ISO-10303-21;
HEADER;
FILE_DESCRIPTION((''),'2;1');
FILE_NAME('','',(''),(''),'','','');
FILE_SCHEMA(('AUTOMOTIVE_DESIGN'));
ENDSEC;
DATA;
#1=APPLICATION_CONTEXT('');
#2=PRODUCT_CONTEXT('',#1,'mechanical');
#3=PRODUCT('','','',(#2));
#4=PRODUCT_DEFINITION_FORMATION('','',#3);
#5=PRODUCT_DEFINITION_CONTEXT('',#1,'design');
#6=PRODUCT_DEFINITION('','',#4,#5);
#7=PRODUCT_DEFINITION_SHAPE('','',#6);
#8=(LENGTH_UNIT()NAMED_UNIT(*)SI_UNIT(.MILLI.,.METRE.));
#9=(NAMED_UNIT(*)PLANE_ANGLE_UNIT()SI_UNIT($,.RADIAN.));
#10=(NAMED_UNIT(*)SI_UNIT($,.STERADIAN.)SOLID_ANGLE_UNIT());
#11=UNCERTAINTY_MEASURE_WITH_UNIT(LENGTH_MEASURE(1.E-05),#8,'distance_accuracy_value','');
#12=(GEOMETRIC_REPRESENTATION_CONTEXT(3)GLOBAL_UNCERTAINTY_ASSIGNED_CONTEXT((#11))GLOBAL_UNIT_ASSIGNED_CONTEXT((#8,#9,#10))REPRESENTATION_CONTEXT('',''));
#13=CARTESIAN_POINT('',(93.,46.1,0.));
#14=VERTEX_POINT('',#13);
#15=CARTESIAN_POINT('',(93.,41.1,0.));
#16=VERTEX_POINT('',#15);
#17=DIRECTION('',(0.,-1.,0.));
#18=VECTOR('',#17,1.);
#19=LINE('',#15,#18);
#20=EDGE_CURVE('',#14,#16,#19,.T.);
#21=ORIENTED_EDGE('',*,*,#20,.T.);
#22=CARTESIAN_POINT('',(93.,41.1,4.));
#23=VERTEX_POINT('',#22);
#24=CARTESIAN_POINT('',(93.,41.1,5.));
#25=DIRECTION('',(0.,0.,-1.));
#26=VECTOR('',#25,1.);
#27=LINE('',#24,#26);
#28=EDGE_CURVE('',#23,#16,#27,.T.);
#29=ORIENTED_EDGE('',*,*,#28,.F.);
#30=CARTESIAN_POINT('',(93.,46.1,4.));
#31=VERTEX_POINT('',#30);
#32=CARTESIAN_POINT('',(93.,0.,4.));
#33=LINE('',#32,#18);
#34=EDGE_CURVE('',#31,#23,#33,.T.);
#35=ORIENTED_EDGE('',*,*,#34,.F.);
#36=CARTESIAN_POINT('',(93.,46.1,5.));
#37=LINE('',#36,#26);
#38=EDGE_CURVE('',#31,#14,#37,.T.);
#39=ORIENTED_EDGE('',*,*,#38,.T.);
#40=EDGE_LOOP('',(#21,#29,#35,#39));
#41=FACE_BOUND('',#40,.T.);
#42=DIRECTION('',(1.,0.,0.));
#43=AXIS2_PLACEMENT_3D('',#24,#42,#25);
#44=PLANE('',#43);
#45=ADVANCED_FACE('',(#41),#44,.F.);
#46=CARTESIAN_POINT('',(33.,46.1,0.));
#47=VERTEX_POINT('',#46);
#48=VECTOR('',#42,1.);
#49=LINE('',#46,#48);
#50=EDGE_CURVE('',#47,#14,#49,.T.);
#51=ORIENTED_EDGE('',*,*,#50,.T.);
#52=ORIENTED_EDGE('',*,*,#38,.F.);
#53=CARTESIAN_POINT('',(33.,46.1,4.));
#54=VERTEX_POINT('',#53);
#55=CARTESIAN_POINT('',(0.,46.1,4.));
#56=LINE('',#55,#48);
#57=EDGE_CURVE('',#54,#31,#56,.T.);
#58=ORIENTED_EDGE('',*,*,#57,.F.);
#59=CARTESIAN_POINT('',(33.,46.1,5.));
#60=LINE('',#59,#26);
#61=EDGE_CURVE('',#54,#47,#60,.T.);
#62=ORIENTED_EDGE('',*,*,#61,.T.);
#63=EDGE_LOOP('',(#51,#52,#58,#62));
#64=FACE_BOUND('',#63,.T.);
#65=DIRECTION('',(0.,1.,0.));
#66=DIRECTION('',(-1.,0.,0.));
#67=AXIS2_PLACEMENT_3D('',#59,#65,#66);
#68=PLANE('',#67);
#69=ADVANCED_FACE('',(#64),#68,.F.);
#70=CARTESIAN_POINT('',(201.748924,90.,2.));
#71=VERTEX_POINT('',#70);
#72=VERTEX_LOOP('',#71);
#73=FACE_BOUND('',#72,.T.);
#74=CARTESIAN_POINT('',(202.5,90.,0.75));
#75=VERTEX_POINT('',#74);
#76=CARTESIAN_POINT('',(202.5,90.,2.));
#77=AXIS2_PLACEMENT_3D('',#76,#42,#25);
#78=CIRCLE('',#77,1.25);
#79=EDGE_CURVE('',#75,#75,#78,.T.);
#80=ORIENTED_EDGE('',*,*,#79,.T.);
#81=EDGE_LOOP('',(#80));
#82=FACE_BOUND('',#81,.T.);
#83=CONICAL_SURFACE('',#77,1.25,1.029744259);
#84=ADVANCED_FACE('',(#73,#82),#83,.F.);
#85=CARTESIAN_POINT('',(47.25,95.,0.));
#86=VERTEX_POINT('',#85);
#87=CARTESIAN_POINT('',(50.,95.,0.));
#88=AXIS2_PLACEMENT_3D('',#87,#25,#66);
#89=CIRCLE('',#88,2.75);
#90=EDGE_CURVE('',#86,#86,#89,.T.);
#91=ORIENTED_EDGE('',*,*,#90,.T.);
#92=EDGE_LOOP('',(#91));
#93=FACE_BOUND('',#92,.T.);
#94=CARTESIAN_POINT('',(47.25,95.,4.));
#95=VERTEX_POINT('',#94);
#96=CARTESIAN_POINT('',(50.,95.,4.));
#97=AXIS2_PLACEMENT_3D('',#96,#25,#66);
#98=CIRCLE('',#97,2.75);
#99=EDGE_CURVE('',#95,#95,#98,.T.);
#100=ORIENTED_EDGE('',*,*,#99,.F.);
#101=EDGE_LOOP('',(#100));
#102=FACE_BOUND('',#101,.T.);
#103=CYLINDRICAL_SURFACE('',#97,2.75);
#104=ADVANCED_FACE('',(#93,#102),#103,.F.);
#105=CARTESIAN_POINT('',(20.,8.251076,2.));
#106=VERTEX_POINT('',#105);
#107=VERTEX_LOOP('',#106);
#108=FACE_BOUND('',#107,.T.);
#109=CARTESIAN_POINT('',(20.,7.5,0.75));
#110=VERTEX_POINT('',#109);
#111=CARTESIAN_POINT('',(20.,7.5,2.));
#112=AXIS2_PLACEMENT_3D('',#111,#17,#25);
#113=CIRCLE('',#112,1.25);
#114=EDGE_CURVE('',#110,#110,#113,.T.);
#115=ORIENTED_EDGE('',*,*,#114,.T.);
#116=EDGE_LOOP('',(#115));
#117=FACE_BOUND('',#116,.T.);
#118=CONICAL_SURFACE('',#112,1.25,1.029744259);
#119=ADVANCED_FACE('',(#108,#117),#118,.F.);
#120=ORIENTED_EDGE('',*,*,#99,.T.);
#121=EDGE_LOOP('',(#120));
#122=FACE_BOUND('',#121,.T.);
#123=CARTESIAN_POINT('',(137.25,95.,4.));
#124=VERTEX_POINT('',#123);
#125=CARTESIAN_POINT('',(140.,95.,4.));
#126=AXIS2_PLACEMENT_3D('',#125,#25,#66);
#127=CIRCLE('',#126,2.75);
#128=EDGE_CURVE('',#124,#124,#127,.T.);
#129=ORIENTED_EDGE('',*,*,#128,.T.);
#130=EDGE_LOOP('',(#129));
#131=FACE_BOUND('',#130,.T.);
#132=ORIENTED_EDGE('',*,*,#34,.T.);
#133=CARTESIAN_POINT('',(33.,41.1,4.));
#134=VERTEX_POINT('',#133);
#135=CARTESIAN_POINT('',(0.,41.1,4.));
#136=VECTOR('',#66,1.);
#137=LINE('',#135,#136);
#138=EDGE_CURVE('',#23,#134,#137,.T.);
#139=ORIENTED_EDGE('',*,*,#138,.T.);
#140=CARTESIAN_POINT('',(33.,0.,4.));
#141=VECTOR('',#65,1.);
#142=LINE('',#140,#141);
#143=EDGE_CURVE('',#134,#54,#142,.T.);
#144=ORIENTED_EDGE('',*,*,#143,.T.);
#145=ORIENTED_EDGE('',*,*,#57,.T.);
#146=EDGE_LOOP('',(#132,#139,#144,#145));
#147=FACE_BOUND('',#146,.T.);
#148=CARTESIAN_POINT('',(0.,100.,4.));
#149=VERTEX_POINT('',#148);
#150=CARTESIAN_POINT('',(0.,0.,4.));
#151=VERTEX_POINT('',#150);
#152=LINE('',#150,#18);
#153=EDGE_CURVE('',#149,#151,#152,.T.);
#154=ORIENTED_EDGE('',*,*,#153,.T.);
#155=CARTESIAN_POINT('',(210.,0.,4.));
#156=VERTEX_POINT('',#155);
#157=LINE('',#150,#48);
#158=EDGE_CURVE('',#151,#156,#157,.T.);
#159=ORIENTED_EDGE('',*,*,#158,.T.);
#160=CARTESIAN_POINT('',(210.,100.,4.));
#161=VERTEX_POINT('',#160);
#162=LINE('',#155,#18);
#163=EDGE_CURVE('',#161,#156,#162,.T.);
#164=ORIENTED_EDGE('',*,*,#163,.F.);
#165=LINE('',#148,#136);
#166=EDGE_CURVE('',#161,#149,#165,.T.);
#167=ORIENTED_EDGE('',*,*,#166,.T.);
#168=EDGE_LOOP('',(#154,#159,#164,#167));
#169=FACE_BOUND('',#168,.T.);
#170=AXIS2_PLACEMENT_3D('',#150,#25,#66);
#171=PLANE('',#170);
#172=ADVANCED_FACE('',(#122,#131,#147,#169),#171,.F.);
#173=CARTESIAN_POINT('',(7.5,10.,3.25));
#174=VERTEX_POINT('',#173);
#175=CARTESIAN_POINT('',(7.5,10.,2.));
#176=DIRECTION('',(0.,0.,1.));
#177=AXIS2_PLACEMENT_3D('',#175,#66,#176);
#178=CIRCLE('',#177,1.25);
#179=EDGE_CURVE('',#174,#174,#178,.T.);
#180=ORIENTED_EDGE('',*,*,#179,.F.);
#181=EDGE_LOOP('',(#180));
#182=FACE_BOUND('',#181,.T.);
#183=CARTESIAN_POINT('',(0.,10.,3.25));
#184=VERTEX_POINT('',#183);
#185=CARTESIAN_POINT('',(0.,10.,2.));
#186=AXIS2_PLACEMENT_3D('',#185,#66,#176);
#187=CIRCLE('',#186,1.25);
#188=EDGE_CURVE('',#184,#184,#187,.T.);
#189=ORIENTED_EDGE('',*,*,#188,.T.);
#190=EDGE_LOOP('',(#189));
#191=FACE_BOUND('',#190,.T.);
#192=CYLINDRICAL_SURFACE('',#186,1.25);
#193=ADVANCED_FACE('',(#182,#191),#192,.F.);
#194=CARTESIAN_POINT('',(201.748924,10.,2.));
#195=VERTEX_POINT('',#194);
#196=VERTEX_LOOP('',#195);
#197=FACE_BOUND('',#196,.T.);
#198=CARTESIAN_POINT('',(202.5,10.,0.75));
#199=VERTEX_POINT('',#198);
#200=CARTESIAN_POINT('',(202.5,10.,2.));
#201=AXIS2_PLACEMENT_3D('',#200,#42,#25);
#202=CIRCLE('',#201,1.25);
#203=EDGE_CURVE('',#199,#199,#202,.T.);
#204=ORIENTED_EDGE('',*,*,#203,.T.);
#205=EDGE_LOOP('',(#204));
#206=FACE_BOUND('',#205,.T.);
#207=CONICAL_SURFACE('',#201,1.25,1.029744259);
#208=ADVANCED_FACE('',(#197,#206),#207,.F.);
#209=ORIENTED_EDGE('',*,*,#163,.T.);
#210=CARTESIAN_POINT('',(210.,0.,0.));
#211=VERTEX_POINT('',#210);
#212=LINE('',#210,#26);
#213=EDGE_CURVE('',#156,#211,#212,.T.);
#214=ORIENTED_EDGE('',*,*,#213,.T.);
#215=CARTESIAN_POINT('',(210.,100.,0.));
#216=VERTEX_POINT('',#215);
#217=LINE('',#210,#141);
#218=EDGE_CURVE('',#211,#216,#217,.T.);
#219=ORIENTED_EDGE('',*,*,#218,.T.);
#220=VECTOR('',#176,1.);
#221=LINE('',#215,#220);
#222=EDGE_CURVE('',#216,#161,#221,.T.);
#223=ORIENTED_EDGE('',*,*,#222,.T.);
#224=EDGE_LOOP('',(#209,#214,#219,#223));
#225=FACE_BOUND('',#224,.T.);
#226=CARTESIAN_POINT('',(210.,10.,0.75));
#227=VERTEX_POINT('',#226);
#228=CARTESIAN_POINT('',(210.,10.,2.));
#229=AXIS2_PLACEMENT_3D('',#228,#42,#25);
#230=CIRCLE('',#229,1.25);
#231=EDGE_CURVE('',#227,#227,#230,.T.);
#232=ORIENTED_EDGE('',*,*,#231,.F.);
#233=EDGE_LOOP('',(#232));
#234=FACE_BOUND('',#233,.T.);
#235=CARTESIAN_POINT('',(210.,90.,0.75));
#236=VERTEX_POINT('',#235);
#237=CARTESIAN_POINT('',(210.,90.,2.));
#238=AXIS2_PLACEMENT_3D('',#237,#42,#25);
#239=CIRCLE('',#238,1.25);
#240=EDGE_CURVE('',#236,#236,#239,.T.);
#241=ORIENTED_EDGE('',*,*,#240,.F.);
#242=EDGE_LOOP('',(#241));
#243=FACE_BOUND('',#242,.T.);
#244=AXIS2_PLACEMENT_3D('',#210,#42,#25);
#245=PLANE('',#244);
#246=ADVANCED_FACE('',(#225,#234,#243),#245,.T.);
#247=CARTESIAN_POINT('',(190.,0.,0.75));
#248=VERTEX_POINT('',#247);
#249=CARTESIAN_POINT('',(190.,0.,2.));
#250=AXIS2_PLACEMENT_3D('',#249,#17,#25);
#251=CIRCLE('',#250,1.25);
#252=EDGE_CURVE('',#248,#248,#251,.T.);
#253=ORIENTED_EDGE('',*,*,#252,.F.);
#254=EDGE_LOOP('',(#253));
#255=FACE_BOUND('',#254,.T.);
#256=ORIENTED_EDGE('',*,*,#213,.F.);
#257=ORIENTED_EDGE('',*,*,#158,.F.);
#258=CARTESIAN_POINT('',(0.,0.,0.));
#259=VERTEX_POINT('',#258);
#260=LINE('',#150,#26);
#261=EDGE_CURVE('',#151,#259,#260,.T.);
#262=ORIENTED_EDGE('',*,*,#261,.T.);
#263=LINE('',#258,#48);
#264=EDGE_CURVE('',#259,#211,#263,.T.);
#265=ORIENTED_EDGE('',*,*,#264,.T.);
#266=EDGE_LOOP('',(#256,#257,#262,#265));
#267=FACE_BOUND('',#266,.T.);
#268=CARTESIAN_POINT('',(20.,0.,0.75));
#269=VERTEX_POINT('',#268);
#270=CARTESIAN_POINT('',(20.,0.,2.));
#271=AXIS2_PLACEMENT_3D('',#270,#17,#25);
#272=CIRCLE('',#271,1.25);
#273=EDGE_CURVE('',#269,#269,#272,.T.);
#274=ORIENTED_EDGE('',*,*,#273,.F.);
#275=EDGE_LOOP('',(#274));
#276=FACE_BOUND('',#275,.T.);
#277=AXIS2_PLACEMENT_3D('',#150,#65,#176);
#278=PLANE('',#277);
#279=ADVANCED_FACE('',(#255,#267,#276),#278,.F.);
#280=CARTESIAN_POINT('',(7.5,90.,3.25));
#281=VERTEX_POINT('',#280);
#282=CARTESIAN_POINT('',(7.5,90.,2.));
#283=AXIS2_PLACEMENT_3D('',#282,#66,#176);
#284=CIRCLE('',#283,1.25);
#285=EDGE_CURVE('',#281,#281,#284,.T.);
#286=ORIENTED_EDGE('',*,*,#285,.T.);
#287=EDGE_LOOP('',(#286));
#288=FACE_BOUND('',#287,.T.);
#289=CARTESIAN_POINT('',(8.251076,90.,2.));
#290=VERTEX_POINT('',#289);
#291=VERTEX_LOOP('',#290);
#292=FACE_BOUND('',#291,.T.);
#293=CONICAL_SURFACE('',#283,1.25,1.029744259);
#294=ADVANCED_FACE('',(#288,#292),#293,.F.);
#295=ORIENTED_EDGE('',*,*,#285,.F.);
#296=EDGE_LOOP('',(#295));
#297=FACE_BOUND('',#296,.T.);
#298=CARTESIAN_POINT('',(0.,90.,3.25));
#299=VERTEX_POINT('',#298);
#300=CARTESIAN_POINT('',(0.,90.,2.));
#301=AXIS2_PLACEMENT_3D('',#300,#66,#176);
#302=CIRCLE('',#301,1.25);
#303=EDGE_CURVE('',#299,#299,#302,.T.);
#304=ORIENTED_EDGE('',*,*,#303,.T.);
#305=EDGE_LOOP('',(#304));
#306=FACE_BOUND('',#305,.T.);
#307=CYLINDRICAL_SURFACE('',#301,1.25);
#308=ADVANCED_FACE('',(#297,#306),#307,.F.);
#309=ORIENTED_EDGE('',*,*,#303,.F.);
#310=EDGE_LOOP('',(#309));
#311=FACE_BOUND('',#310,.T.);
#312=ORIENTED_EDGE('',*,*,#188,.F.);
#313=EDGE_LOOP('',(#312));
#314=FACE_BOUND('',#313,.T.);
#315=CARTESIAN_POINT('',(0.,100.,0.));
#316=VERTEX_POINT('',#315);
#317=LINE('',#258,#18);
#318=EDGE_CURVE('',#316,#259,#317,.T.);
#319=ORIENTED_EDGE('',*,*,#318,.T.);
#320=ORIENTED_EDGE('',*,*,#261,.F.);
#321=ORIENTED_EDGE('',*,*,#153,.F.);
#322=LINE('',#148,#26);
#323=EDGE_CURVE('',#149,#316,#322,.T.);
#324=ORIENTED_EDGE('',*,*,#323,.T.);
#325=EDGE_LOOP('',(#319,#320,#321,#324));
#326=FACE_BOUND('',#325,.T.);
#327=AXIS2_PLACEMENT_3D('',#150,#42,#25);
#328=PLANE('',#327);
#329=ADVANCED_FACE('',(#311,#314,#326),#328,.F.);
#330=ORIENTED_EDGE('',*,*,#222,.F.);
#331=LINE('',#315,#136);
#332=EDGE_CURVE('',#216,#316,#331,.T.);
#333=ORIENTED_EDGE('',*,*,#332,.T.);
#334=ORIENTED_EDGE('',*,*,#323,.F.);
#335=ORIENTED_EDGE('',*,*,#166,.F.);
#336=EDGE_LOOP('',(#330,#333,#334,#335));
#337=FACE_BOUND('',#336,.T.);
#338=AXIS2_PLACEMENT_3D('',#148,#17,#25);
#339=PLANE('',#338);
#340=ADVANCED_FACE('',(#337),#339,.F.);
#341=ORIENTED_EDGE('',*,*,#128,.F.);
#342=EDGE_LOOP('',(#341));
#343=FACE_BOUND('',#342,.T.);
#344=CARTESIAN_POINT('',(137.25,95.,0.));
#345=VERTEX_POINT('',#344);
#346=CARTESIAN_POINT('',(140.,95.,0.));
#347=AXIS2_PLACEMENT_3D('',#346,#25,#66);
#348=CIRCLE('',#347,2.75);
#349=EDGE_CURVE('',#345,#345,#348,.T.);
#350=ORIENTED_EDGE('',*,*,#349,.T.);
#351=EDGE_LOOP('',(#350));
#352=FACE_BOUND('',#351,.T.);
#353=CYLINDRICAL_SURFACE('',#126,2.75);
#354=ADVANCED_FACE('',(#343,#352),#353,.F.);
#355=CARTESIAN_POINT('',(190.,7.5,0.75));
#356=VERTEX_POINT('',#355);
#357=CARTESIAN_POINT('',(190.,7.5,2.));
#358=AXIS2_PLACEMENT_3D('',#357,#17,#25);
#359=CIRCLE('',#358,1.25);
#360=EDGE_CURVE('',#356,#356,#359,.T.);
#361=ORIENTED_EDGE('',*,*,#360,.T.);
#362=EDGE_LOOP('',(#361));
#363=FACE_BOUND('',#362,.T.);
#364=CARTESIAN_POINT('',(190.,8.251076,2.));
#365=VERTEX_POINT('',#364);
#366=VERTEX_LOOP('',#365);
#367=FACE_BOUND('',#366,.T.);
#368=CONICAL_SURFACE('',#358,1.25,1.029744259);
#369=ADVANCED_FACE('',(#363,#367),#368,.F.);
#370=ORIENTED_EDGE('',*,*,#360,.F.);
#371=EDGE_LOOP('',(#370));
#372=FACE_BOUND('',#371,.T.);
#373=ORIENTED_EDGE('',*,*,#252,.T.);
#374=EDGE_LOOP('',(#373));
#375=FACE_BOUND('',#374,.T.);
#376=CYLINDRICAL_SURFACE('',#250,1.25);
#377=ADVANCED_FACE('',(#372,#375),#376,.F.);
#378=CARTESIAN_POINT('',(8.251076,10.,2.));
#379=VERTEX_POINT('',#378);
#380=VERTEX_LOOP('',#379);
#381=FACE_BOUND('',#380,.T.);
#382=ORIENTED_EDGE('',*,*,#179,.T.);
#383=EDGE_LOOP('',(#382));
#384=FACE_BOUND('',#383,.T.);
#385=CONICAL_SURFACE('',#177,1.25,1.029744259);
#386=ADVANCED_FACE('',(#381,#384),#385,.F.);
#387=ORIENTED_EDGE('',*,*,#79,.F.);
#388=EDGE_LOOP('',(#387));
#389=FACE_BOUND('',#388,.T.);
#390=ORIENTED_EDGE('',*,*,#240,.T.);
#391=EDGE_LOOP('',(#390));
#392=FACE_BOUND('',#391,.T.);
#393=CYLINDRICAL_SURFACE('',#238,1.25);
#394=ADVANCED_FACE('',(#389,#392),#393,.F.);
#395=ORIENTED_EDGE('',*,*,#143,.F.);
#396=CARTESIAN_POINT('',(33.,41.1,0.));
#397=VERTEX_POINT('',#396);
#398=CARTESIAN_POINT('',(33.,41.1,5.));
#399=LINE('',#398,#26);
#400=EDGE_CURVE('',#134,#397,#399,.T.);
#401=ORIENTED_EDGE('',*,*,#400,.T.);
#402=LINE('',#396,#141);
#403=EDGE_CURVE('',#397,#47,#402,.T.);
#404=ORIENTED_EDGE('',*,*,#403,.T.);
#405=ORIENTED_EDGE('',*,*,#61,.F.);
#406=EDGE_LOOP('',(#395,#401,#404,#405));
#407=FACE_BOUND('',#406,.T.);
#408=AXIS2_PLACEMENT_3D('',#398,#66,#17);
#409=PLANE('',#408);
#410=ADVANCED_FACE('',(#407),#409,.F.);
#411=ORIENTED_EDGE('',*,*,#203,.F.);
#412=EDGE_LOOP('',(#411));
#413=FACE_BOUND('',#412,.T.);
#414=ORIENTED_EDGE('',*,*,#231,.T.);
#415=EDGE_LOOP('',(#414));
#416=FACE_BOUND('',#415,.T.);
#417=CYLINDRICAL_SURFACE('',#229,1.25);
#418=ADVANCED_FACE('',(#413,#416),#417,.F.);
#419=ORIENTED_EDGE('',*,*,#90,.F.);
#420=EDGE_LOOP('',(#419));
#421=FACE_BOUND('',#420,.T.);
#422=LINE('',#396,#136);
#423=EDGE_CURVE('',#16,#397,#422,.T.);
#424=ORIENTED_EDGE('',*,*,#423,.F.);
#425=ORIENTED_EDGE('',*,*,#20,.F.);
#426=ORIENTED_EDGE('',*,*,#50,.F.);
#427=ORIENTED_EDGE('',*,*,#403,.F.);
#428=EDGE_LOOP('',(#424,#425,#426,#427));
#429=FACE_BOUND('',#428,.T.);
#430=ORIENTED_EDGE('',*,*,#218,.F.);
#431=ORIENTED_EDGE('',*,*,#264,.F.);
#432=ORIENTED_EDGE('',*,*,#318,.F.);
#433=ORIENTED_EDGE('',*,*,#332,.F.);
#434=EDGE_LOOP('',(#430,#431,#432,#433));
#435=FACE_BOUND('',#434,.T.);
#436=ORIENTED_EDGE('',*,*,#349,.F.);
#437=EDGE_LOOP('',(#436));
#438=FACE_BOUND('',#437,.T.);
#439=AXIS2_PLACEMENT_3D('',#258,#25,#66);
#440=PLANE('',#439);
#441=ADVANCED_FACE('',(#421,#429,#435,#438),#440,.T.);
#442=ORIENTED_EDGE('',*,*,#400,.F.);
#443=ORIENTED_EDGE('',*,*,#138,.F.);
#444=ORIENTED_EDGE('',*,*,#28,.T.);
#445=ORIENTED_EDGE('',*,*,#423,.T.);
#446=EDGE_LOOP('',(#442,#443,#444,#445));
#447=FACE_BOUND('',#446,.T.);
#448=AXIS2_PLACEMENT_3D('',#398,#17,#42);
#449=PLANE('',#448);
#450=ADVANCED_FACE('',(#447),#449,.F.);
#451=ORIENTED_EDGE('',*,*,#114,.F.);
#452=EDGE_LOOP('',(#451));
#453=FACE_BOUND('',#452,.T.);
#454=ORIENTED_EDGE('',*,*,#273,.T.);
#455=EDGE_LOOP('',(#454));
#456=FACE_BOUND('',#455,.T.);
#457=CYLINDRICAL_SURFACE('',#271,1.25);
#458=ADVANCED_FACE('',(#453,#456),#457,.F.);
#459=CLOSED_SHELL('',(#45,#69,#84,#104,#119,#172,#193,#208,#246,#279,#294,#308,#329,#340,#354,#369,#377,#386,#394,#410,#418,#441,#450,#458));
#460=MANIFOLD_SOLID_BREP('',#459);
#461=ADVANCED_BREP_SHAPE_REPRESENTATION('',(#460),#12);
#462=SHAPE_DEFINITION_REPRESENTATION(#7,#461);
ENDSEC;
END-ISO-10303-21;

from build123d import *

# Parameters (mm, degrees)
SKETCH_1_W             = 200
SKETCH_1_H             = 100
EXTRUDE_1_DEPTH        = 4
SKETCH_5_R             = 2.75
CUT_EXTRUDE_1_DEPTH    = 5
SKETCH_6_W             = 4
SKETCH_6_H             = 100
EXTRUDE_2_DEPTH        = 10
SKETCH_7_W             = 60
SKETCH_7_H             = 5
CUT_EXTRUDE_2_DEPTH    = 5
HOLE_WIZARD_M3_1_D     = 2.5
HOLE_WIZARD_M3_1_DEPTH = 7.5
HOLE_WIZARD_M3_1_TIP   = 0.751075774
HOLE_WIZARD_M3_2_D     = 2.5
HOLE_WIZARD_M3_2_DEPTH = 7.5
HOLE_WIZARD_M3_2_TIP   = 0.751075774
HOLE_WIZARD_M3_3_D     = 2.5
HOLE_WIZARD_M3_3_DEPTH = 7.5
HOLE_WIZARD_M3_3_TIP   = 0.751075774


with BuildPart() as part:
    # 草图1 → 凸台-拉伸1 (new body)
    with BuildSketch(Plane.XY):
        with Locations((100, 50)):
            Rectangle(SKETCH_1_W, SKETCH_1_H)
    extrude(amount=EXTRUDE_1_DEPTH)

    # 草图5 → 切除-拉伸1 (cut, through all)
    with BuildSketch(Plane(origin=(0, 0, 0), x_dir=(-1, 0, 0), z_dir=(0, 0, -1))):
        with Locations((-50, 95)):
            Circle(SKETCH_5_R)
        with Locations((-140, 95)):
            Circle(SKETCH_5_R)
    extrude(amount=-CUT_EXTRUDE_1_DEPTH, mode=Mode.SUBTRACT)

    # 草图6 → 凸台-拉伸2 (add)
    with BuildSketch(Plane(origin=(200, 0, 0), x_dir=(0, 0, -1), z_dir=(1, 0, 0))):
        with Locations((-2, 50)):
            Rectangle(SKETCH_6_W, SKETCH_6_H)
    extrude(amount=EXTRUDE_2_DEPTH)

    # 草图7 → 切除-拉伸2 (cut)
    with BuildSketch(Plane(origin=(0, 0, 0), x_dir=(-1, 0, 0), z_dir=(0, 0, -1))):
        with Locations((-63, 43.6)):
            Rectangle(SKETCH_7_W, SKETCH_7_H)
    extrude(amount=-CUT_EXTRUDE_2_DEPTH, mode=Mode.SUBTRACT)

    # M3 螺纹孔1
    with Locations(Plane.ZY):
        with Locations((2, 10), (2, 90)):
            Hole(HOLE_WIZARD_M3_1_D / 2, depth=HOLE_WIZARD_M3_1_DEPTH)
            with Locations((0, 0, -(HOLE_WIZARD_M3_1_DEPTH + HOLE_WIZARD_M3_1_TIP / 2))):  # 118° drill point
                Cone(0, HOLE_WIZARD_M3_1_D / 2, HOLE_WIZARD_M3_1_TIP, mode=Mode.SUBTRACT)

    # M3 螺纹孔2
    with Locations(Plane(origin=(210, 0, 0), x_dir=(0, 0, -1), z_dir=(1, 0, 0))):
        with Locations((-2, 10), (-2, 90)):
            Hole(HOLE_WIZARD_M3_2_D / 2, depth=HOLE_WIZARD_M3_2_DEPTH)
            with Locations((0, 0, -(HOLE_WIZARD_M3_2_DEPTH + HOLE_WIZARD_M3_2_TIP / 2))):  # 118° drill point
                Cone(0, HOLE_WIZARD_M3_2_D / 2, HOLE_WIZARD_M3_2_TIP, mode=Mode.SUBTRACT)

    # M3 螺纹孔3
    with Locations(Plane(origin=(0, 0, 0), x_dir=(-1, 0, 0), z_dir=(0, -1, 0))):
        with Locations((-20, -2), (-190, -2)):
            Hole(HOLE_WIZARD_M3_3_D / 2, depth=HOLE_WIZARD_M3_3_DEPTH)
            with Locations((0, 0, -(HOLE_WIZARD_M3_3_DEPTH + HOLE_WIZARD_M3_3_TIP / 2))):  # 118° drill point
                Cone(0, HOLE_WIZARD_M3_3_D / 2, HOLE_WIZARD_M3_3_TIP, mode=Mode.SUBTRACT)


solid = part.part
